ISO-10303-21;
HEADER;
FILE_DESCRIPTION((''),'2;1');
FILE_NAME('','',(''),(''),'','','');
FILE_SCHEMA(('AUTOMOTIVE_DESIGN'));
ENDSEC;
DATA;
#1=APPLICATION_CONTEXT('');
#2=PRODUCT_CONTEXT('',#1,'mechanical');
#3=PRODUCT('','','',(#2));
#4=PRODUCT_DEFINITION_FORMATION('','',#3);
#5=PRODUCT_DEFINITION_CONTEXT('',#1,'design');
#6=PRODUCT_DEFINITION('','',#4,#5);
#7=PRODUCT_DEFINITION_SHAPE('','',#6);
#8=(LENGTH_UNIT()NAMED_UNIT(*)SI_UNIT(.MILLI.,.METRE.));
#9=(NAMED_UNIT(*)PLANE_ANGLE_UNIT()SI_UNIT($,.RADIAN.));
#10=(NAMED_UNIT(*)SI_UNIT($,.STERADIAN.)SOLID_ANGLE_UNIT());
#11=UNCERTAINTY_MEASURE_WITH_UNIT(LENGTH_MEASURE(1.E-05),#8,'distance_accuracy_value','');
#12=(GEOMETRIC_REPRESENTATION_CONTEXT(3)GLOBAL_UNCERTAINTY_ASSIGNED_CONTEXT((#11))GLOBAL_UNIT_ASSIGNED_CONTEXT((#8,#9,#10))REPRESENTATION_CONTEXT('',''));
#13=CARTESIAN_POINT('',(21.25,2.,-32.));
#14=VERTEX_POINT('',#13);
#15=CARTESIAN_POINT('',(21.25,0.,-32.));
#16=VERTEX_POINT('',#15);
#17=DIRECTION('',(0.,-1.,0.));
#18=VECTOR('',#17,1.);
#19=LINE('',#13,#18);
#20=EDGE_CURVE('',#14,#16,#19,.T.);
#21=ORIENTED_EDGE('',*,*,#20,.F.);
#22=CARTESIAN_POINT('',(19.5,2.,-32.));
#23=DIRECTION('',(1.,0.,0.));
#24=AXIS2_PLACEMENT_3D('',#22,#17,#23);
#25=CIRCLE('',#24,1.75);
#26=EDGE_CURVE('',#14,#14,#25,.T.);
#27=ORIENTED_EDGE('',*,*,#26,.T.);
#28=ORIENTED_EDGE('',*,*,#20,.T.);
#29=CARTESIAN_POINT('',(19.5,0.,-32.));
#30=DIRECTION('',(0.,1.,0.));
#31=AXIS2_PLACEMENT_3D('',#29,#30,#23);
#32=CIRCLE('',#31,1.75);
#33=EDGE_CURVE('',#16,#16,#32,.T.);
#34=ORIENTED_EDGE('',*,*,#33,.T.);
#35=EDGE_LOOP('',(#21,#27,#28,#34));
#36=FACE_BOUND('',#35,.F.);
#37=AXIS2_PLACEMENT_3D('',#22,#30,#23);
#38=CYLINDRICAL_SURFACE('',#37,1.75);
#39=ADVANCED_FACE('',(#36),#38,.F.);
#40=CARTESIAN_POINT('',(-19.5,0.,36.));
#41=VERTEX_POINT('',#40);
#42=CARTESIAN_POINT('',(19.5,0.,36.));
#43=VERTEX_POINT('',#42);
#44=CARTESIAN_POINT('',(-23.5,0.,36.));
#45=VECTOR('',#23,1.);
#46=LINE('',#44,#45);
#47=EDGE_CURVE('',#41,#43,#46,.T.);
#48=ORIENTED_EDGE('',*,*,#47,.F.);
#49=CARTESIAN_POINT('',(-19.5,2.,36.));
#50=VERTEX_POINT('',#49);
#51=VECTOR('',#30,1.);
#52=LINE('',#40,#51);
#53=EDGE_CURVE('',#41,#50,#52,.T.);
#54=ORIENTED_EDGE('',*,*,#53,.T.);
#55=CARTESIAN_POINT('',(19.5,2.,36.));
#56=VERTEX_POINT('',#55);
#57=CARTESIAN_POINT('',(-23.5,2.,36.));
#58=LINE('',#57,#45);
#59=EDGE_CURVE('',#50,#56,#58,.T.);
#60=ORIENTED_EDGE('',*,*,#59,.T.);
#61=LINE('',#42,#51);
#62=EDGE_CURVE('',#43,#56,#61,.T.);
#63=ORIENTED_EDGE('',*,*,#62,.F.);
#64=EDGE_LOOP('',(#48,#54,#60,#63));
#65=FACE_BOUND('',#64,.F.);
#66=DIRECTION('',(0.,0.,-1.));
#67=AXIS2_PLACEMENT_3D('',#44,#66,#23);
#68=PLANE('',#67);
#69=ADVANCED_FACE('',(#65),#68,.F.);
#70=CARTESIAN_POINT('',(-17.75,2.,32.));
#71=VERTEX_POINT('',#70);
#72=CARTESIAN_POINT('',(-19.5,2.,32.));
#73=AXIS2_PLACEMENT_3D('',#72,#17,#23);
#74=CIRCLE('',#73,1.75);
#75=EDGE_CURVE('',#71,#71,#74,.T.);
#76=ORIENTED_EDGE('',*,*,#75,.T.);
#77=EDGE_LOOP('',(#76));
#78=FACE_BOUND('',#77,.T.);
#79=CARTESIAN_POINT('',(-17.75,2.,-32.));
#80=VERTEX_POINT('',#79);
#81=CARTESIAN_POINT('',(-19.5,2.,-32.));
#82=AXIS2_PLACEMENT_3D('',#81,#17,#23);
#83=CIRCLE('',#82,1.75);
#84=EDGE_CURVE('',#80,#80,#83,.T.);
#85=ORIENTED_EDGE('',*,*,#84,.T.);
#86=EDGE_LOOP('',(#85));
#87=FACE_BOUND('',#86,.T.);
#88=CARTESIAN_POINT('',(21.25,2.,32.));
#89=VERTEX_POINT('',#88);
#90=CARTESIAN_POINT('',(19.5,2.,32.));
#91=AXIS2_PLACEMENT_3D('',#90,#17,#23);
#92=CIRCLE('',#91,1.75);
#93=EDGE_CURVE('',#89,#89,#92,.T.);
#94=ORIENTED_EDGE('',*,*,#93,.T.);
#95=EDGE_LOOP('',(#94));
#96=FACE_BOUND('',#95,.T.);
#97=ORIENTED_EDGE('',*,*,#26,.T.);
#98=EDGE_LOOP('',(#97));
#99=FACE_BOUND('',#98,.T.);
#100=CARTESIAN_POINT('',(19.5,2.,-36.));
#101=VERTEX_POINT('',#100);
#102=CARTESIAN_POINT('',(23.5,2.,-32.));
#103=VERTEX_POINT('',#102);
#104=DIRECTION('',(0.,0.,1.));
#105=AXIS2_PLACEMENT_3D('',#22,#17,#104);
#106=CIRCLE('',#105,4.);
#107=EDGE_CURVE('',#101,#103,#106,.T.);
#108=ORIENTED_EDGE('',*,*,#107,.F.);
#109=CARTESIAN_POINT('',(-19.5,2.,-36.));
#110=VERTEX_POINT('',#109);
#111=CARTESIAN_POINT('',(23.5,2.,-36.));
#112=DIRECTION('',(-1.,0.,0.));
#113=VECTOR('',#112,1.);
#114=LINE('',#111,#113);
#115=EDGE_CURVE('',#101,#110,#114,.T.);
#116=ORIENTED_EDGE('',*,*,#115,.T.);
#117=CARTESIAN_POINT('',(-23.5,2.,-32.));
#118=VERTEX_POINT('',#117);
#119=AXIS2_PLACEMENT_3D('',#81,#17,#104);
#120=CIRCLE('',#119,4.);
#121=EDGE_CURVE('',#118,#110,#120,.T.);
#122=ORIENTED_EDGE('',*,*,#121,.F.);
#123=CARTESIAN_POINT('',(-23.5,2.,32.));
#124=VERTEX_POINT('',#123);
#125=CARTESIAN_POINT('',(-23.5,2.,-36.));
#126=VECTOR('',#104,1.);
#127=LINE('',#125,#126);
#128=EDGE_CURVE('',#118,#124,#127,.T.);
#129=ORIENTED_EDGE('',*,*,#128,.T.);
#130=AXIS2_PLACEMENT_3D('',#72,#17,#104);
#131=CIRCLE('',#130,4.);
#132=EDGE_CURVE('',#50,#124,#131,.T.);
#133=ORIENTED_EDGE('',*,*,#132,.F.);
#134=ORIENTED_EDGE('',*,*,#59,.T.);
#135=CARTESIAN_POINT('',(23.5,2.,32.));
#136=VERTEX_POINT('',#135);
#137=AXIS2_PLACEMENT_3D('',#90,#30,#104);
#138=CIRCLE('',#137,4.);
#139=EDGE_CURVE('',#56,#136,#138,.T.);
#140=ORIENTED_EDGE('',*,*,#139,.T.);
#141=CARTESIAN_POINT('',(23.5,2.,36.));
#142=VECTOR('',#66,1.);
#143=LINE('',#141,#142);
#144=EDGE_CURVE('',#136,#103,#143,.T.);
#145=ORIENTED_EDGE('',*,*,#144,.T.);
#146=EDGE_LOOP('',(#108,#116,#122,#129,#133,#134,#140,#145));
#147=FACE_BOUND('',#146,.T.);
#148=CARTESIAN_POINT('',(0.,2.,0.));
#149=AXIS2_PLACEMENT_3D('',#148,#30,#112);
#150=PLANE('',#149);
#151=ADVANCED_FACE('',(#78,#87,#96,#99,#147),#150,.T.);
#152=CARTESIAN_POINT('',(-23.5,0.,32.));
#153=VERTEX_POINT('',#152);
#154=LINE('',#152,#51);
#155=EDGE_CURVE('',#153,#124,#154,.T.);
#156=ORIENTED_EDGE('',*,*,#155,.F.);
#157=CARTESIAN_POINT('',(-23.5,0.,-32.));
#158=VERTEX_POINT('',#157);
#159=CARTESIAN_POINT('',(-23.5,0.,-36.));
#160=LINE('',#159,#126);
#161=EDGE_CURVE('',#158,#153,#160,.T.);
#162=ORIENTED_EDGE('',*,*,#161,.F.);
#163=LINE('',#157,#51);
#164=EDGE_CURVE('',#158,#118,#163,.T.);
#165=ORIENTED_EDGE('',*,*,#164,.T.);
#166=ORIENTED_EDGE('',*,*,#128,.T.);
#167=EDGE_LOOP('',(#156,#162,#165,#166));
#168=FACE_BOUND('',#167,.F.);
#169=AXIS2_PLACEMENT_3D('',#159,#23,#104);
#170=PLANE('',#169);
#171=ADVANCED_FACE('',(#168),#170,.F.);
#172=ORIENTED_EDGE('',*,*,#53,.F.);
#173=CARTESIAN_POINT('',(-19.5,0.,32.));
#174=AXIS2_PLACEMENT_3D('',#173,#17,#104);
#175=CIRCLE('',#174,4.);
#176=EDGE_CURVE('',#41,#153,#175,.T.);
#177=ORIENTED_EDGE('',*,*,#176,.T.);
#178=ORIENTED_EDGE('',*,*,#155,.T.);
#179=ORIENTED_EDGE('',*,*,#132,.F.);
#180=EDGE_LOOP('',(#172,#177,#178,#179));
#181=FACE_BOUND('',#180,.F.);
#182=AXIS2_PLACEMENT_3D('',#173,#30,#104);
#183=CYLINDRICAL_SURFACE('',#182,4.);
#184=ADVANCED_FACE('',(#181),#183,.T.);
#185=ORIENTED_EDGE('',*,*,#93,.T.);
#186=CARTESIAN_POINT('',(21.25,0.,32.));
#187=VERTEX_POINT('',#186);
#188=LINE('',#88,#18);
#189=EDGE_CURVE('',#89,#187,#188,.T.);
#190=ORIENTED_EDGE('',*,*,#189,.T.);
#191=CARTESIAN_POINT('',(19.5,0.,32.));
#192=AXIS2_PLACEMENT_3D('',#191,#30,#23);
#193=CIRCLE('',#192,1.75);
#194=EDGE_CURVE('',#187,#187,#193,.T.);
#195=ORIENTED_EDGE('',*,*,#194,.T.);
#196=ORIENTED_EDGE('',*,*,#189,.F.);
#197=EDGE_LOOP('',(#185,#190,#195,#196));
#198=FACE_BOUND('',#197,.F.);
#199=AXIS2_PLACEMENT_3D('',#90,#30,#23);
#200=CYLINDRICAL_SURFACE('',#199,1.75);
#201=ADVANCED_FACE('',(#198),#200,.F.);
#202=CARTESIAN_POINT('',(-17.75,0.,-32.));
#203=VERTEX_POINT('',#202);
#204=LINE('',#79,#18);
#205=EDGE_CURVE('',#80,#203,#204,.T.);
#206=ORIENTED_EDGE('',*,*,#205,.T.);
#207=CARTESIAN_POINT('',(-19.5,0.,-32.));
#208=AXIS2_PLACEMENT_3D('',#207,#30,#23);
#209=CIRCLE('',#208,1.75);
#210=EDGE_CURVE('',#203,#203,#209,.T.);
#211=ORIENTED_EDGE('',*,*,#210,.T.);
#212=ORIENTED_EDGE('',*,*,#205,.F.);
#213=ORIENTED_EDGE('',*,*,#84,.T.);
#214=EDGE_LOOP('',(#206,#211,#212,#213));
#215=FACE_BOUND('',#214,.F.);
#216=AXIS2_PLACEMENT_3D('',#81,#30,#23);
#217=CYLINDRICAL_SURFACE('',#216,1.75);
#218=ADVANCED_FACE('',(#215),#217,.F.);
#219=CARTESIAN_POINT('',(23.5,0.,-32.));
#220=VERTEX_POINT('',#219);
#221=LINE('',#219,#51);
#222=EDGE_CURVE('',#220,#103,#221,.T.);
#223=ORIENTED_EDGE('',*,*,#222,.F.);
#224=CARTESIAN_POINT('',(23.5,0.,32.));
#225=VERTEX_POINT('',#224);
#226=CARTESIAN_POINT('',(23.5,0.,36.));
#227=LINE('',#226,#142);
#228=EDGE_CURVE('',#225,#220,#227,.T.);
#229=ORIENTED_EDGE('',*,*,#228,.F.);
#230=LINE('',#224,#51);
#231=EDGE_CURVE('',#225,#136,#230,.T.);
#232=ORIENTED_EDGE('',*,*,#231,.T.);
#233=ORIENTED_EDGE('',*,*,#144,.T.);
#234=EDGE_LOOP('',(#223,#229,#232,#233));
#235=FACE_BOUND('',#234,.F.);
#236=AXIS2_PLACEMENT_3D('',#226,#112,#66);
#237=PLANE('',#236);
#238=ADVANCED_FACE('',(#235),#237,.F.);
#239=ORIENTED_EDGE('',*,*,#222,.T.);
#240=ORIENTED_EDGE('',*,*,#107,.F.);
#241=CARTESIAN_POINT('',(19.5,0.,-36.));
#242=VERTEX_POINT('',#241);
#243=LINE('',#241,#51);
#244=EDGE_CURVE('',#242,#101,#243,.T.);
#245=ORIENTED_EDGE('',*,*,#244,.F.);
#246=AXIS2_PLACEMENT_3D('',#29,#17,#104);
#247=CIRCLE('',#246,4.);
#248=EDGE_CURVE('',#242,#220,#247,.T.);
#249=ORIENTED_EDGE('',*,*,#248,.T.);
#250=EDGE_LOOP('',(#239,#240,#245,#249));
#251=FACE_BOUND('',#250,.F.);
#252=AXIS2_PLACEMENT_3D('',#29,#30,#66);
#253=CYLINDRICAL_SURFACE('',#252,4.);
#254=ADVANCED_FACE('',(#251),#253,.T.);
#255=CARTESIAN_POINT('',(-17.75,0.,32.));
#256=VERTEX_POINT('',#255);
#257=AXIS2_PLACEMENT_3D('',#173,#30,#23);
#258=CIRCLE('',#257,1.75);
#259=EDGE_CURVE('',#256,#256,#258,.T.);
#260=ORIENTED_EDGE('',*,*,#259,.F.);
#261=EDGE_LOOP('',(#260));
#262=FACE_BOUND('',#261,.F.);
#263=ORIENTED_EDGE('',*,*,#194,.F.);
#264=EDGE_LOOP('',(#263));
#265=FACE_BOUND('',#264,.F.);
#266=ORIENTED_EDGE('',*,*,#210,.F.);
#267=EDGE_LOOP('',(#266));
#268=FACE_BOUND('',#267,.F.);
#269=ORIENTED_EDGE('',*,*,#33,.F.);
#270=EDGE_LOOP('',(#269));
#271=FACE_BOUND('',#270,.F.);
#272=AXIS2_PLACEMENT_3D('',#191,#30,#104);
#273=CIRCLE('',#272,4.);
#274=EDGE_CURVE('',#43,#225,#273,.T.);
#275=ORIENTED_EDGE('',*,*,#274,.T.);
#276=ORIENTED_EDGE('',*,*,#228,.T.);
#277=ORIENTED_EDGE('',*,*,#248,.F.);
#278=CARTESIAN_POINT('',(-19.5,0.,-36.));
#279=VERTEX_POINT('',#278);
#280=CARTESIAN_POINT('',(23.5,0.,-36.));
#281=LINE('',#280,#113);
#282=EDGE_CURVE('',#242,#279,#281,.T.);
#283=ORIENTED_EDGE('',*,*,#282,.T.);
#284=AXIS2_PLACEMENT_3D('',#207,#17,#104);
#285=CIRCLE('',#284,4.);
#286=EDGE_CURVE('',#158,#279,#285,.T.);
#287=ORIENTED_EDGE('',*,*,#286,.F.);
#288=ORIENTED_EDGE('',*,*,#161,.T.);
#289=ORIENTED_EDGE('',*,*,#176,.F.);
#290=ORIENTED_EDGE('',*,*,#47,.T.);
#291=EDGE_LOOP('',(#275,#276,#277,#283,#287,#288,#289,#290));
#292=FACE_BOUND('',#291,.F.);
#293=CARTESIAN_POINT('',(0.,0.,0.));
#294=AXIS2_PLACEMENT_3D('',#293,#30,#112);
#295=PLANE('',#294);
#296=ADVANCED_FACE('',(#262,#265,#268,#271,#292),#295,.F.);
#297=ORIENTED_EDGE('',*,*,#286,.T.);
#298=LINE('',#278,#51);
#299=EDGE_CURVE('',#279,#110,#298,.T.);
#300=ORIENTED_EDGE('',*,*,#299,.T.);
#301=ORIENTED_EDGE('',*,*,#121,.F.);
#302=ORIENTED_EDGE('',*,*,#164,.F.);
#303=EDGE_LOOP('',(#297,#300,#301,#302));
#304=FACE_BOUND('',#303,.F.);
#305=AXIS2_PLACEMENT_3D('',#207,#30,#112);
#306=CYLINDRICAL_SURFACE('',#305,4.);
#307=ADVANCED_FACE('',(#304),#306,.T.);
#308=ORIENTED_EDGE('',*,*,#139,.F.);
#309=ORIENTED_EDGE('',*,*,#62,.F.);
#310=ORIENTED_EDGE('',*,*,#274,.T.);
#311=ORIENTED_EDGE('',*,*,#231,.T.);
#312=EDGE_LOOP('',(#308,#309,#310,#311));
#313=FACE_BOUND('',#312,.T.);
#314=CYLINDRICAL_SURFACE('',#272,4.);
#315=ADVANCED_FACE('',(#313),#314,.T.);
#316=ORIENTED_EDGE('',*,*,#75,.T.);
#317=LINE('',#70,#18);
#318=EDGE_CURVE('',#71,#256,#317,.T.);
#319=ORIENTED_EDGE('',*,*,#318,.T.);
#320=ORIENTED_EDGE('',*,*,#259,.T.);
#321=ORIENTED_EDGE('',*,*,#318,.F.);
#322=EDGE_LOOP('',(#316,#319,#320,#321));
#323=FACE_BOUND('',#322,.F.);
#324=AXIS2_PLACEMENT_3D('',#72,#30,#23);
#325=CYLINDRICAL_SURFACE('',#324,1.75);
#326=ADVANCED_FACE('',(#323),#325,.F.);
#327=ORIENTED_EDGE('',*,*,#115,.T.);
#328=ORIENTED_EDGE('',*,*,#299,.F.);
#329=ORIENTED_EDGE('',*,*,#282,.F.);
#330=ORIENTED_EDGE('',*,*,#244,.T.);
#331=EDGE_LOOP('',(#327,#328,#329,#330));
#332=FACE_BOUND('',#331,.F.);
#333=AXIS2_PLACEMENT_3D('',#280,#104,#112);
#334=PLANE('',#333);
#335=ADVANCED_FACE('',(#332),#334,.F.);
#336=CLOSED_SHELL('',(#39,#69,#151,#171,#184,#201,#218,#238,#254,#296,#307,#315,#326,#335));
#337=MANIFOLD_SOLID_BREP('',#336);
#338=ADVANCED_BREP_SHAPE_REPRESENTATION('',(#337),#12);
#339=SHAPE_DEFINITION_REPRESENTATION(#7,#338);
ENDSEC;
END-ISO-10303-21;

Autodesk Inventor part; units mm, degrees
ref_plane "YZ Plane" through (0, 0, 0) normal (1, 0, 0) x (0, 1, 0)
ref_plane "XZ Plane" through (0, 0, 0) normal (0, 1, 0) x (-1, 0, 0)
ref_plane "XY Plane" through (0, 0, 0) normal (0, 0, 1) x (1, 0, 0)
sketch "Sketch1" plane through (0, 0, 0) normal (0, 1, 0) x (-1, 0, 0)
  line L0 (-23.5, 36) -> (-23.5, -36)
  line L1 (-23.5, -36) -> (23.5, -36)
  line L2 (23.5, -36) -> (23.5, 36)
  line L3 (23.5, 36) -> (-23.5, 36)
  line L4 (-23.5, 36) -> (23.5, -36) construction
  line L5 (-23.5, -36) -> (23.5, 36) construction
  point P0 (0, 0)
  dimension "d0" = 72
  dimension "d1" = 47
extrude "Extrusion1" add sketch "Sketch1" along normal blind 2
sketch "Sketch3" plane through (0, 2, 0) normal (0, 1, 0) x (1, 0, 0)
  line L0 (-23.5, 36) -> (-23.5, -36) projected
  line L1 (23.5, -36) -> (23.5, 36) projected
  line L2 (-23.535, 36.3293) -> (23.5, 36.3293) construction
  line L3 (23.5, 36.3293) -> (23.5, -36) construction
  line L4 (23.5, -36) -> (-23.535, -36) construction
  line L5 (-23.535, -36) -> (-23.535, 36.3293) construction
  point P0 (0, 0)
sketch "Sketch4" plane through (0, 2, 0) normal (0, 1, 0) x (1, 0, 0)
  line L0 (-23.5, 36) -> (-23.5, -36) projected
  line L1 (-23.5, -36) -> (23.5, -36) projected
  line L2 (23.5, -36) -> (23.5, 36) projected
  line L3 (23.5, 36) -> (-23.5, 36) projected
  point P0 (0, 0)
fillet "Fillet1" radius 4 4 edges at (23.5, 1, 36) (-23.5, 1, 36) (23.5, 1, -36) (-23.5, 1, -36)
decal "Decal1"
sketch "Sketch5" plane through (0, 2, 0) normal (0, 1, 0) x (1, 0, 0)
  line L0 (-19.5, 32) -> (-19.5, -32)
  line L1 (-19.5, -32) -> (19.5, -32)
  line L2 (19.5, -32) -> (19.5, 32)
  line L3 (19.5, 32) -> (-19.5, 32)
  line L4 (-19.5, 32) -> (19.5, -32) construction
  line L5 (-19.5, -32) -> (19.5, 32) construction
  circle A0 centre (-19.5, 32) radius 1.75
  line L6 (0, 32) -> (0, -32)
  line L7 (19.5, 0) -> (-19.5, 0)
  circle A1 centre (19.5, 32) radius 1.75
  circle A2 centre (-19.5, -32) radius 1.75
  circle A3 centre (19.5, -32) radius 1.75
  point P0 (0, 0)
  dimension "d37" = 39
  dimension "d38" = 64
  dimension "d39" = 3.5
extrude "Extrusion2" cut sketch "Sketch5" against normal through all contours L3 A0 L0 | L0 A0 L3 | A2 L1 L0 | L0 L1 A2 | A1 L2 L3 | L3 L2 A1 | A3 L2 L1 | L1 L2 A3
properties part number "ideaboard"
